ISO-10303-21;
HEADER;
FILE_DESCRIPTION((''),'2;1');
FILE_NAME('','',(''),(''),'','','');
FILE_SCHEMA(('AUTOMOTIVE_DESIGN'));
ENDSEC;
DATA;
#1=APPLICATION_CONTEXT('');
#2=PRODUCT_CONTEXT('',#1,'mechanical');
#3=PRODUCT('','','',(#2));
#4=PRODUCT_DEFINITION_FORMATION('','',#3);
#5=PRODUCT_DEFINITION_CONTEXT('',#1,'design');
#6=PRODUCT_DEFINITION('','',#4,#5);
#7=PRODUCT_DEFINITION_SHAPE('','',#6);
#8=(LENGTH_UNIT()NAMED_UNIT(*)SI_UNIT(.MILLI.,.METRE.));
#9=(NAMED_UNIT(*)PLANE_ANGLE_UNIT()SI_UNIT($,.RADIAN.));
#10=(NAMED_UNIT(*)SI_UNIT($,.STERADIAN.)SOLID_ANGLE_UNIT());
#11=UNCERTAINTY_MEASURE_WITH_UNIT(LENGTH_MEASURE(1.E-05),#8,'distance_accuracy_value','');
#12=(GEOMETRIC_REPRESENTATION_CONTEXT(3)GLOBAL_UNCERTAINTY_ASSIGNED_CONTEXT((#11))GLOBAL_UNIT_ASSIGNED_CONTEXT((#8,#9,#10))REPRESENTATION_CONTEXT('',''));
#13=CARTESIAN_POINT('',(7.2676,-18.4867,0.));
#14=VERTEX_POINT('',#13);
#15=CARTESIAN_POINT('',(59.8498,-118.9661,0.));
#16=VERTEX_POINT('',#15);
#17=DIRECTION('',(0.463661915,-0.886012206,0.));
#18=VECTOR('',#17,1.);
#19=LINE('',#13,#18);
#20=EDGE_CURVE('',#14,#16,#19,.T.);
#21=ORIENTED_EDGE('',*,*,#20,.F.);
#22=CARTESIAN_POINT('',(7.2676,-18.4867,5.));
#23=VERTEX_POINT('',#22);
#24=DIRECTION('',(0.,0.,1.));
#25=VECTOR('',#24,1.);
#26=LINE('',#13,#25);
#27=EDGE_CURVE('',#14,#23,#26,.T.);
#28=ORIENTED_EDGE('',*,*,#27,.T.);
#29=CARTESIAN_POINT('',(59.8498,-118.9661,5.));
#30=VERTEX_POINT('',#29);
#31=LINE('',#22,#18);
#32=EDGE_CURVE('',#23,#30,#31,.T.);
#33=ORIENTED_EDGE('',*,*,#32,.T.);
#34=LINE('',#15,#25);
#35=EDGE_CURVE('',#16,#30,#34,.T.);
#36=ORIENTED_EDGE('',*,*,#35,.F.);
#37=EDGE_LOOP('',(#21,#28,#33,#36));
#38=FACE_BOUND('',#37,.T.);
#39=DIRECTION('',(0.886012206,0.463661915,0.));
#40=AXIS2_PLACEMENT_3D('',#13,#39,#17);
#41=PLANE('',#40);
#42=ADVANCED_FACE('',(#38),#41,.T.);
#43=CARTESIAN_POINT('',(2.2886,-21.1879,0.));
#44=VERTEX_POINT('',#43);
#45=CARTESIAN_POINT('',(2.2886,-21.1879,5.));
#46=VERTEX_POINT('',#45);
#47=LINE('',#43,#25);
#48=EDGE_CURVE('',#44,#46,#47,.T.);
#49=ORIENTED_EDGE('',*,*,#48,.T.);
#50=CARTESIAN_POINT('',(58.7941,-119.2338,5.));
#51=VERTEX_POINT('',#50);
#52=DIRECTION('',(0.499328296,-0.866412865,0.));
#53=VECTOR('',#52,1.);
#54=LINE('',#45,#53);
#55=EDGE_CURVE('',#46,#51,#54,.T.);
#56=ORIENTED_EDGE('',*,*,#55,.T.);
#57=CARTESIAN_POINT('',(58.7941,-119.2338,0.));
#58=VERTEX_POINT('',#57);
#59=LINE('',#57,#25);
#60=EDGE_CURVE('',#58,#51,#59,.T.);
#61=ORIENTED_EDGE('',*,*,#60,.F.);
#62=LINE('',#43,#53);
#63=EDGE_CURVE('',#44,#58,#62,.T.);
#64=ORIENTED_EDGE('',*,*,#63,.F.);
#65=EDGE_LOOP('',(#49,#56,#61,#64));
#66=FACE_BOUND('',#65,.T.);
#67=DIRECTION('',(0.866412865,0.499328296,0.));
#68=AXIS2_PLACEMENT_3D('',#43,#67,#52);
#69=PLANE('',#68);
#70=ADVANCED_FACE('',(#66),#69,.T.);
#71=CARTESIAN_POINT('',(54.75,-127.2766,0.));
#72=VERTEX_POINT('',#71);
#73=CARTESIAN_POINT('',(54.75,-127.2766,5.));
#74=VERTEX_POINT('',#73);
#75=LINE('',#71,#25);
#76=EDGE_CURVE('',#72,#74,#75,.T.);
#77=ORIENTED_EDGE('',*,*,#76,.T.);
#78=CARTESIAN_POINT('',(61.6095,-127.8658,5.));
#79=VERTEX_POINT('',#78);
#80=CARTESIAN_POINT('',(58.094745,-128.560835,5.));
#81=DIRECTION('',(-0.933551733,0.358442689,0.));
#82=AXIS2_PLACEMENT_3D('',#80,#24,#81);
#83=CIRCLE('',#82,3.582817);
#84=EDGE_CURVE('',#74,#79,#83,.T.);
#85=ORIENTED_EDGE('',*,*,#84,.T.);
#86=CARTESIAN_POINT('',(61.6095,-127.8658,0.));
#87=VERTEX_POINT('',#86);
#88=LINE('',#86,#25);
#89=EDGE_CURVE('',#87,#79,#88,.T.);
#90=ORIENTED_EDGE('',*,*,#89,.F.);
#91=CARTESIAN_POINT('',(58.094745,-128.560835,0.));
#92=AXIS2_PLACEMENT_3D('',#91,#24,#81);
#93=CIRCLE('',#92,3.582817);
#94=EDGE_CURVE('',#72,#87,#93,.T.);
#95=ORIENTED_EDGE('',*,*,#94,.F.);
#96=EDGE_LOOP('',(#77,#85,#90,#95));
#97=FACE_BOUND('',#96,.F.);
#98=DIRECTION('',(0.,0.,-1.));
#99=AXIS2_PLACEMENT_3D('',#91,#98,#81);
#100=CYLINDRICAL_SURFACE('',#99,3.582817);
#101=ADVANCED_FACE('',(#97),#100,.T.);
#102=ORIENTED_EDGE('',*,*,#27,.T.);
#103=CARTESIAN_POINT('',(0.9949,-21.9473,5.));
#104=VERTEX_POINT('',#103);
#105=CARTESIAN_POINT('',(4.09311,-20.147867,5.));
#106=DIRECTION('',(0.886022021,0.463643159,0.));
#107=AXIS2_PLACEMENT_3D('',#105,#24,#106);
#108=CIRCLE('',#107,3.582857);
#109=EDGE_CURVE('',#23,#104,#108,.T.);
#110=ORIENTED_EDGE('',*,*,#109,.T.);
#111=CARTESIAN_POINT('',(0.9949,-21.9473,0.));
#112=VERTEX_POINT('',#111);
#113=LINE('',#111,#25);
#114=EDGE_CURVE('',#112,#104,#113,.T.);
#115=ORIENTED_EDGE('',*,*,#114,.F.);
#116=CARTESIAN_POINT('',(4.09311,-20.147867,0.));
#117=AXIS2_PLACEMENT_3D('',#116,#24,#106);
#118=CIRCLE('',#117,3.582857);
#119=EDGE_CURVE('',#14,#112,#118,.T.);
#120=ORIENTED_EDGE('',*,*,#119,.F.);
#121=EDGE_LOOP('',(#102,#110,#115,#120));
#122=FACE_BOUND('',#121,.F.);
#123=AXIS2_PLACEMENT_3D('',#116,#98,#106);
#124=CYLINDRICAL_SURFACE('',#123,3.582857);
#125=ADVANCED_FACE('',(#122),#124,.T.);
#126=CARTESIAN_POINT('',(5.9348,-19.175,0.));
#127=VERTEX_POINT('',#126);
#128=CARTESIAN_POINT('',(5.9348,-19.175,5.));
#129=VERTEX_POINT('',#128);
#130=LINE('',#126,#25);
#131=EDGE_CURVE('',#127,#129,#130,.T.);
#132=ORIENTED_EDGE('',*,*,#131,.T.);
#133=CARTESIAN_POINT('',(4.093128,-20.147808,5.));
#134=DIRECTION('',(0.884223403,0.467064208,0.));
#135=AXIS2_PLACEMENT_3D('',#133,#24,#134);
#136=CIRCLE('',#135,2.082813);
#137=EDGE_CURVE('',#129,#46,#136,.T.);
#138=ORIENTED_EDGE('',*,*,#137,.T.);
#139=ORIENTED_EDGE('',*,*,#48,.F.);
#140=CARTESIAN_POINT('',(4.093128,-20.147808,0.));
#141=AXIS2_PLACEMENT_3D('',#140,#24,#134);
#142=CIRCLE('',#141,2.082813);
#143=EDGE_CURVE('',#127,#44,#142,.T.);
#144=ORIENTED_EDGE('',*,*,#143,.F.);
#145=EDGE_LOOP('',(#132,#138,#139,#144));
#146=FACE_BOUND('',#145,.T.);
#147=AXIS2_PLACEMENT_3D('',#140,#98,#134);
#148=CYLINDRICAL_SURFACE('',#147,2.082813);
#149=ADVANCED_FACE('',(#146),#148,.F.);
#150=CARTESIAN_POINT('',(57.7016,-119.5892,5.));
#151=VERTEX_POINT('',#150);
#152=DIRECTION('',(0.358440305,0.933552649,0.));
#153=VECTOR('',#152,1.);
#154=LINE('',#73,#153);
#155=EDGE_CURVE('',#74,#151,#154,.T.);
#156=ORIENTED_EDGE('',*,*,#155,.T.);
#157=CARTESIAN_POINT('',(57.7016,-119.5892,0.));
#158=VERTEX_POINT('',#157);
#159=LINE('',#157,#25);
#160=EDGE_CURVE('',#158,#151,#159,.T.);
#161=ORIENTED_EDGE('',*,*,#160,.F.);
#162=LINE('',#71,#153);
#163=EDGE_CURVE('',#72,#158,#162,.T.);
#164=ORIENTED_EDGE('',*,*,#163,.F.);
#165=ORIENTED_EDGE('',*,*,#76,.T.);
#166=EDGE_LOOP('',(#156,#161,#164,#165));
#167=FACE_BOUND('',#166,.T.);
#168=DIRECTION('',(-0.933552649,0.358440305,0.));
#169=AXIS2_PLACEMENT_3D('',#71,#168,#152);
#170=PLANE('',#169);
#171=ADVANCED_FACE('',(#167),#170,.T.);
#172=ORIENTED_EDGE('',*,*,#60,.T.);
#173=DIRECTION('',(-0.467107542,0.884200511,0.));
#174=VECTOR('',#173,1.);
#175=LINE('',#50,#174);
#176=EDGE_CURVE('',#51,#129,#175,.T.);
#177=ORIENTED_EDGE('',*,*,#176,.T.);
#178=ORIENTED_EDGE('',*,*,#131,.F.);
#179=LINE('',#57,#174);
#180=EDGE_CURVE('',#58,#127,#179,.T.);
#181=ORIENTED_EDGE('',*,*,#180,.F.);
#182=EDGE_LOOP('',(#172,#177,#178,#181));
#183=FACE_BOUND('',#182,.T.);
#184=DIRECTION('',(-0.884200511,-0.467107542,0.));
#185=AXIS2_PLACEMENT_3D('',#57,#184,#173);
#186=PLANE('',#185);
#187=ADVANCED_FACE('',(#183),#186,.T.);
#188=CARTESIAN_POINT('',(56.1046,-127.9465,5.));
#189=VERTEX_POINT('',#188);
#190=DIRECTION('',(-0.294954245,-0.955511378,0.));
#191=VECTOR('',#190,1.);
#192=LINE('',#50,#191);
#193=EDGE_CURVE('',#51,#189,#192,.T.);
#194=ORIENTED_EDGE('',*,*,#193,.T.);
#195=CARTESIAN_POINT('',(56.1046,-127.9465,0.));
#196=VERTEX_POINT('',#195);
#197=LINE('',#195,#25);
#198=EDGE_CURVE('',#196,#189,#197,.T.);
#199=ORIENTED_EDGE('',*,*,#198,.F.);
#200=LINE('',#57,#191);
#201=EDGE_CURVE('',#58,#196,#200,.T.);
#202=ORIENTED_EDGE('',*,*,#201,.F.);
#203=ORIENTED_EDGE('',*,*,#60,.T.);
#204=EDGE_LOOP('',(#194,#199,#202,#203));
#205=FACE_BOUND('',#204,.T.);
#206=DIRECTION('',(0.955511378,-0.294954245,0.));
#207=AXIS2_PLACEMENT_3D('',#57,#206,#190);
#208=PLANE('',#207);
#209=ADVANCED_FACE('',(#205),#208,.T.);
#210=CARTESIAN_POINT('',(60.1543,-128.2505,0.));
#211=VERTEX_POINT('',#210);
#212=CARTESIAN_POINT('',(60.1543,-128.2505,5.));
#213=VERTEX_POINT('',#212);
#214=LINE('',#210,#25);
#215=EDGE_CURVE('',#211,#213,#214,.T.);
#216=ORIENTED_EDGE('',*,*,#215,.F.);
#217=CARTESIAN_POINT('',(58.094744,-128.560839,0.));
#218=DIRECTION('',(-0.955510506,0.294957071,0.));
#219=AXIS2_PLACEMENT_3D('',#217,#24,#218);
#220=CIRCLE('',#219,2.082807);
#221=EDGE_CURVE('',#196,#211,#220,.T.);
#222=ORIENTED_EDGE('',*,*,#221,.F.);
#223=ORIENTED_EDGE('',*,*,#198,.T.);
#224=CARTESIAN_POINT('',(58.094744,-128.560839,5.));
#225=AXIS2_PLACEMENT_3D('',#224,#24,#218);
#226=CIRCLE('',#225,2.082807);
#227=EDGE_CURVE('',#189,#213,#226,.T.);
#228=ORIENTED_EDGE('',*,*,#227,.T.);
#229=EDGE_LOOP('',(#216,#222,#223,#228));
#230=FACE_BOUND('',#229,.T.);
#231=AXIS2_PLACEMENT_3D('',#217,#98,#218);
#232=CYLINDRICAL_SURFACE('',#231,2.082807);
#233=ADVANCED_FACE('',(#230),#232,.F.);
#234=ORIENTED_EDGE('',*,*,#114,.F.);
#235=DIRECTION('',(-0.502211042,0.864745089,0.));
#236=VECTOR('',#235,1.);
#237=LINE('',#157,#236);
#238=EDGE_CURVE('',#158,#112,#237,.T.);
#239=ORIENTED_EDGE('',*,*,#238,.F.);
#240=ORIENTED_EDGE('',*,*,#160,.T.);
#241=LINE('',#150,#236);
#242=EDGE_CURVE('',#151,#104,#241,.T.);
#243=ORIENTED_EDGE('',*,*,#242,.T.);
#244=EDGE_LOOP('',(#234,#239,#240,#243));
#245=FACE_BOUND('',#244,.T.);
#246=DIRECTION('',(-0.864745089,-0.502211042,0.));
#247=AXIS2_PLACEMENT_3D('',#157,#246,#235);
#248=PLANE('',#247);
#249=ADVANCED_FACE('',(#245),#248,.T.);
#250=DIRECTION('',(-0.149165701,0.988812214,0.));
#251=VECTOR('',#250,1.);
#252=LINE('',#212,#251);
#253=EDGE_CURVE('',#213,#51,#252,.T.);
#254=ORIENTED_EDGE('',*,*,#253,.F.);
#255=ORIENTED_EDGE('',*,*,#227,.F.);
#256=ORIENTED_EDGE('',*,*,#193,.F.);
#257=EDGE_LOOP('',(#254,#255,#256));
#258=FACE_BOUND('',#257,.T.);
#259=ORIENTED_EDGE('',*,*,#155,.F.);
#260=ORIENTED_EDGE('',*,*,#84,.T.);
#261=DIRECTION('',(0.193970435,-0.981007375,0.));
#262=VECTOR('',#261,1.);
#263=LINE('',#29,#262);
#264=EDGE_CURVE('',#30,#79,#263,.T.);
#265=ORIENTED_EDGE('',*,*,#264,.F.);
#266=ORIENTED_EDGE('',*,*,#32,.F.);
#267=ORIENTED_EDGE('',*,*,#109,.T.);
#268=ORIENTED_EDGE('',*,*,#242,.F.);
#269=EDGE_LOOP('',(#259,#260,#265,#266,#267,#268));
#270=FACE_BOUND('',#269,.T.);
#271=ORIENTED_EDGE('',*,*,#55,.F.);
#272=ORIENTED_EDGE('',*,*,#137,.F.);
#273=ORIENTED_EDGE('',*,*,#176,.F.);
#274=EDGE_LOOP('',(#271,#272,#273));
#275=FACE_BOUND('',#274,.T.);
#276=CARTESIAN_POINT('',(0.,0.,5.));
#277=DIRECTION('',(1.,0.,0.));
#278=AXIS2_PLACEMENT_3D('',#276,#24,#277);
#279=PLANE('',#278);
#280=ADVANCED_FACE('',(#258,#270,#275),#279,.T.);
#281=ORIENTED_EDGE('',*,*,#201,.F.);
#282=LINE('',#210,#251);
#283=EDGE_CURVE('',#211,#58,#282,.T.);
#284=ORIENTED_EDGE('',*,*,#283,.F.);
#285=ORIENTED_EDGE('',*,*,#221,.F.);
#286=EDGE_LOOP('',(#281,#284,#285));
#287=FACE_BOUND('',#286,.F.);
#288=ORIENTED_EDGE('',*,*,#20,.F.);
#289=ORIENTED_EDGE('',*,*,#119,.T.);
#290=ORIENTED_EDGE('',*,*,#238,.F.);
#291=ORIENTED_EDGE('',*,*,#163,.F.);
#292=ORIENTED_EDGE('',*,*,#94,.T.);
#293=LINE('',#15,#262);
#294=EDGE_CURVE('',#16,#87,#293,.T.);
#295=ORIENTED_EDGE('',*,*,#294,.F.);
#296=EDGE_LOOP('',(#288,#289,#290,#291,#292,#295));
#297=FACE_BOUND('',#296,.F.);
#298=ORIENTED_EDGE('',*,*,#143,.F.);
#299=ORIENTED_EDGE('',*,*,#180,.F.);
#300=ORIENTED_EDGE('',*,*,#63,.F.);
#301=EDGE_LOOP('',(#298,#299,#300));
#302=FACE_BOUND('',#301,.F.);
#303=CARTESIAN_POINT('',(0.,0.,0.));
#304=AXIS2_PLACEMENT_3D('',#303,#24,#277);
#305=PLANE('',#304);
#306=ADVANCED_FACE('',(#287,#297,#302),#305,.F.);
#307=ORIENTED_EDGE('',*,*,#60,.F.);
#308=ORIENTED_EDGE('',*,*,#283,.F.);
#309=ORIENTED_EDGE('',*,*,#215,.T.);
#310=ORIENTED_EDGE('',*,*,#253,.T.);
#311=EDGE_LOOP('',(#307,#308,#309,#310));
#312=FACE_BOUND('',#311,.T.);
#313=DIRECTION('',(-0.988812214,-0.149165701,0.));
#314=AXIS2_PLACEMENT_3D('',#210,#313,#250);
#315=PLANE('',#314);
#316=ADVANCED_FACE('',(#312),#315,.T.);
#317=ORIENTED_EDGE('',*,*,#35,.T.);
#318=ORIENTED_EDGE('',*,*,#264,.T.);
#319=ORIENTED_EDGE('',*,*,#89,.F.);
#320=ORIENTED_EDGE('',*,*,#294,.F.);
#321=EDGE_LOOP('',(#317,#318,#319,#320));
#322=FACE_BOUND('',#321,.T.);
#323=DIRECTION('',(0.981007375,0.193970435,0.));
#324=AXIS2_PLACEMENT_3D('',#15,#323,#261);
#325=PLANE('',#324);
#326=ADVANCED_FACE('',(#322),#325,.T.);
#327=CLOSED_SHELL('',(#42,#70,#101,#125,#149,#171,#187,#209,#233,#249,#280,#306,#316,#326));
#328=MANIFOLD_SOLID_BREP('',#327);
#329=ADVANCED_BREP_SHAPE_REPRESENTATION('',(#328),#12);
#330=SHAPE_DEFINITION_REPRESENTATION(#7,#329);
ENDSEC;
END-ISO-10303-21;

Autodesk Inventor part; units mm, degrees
ref_plane "YZ Plane" through (0, 0, 0) normal (1, 0, 0) x (0, 1, 0)
ref_plane "XZ Plane" through (0, 0, 0) normal (0, 1, 0) x (-1, 0, 0)
ref_plane "XY Plane" through (0, 0, 0) normal (0, 0, 1) x (1, 0, 0)
sketch "Sketch2" plane through (0, 0, 0) normal (0, 0, 1) x (1, 0, 0)
  circle A0 centre (4.0931, -20.1479) radius 2.1844 construction
  line L0 (57.7016, -119.5892) -> (56.531, -118.5169) construction
  circle A1 centre (58.0948, -128.5608) radius 2.1844 construction
  arc A2 (56.1046, -127.9465) -> (60.1543, -128.2505) centre (58.0948, -128.5608) ccw
  arc A3 (5.9348, -19.175) -> (2.2886, -21.1879) centre (4.0931, -20.1479) ccw
  arc A4 (54.75, -127.2766) -> (61.6095, -127.8658) centre (58.0948, -128.5608) ccw
  arc A5 (7.2676, -18.4867) -> (0.9949, -21.9473) centre (4.0931, -20.1479) ccw
  line L1 (54.75, -127.2766) -> (57.7016, -119.5892)
  line L2 (57.7016, -119.5892) -> (0.9949, -21.9473)
  line L3 (2.2886, -21.1879) -> (58.7941, -119.2338)
  line L4 (58.7941, -119.2338) -> (56.1046, -127.9465)
  line L5 (60.1543, -128.2505) -> (58.7957, -119.2343)
  line L6 (58.7957, -119.2343) -> (5.9348, -19.175)
  line L7 (7.2676, -18.4867) -> (59.8498, -118.9661)
  line L8 (59.8498, -118.9661) -> (61.6095, -127.8658)
  point P0 (0, 0)
  dimension "d17" = 4.1656
  dimension "d18" = 4.1656
  dimension "d19" = 1.5
  dimension "d20" = 1.5
  dimension "d21" = 1
extrude "Extrusion2" add sketch "Sketch2" along normal blind 5
properties part number "Angle Changer left band"
